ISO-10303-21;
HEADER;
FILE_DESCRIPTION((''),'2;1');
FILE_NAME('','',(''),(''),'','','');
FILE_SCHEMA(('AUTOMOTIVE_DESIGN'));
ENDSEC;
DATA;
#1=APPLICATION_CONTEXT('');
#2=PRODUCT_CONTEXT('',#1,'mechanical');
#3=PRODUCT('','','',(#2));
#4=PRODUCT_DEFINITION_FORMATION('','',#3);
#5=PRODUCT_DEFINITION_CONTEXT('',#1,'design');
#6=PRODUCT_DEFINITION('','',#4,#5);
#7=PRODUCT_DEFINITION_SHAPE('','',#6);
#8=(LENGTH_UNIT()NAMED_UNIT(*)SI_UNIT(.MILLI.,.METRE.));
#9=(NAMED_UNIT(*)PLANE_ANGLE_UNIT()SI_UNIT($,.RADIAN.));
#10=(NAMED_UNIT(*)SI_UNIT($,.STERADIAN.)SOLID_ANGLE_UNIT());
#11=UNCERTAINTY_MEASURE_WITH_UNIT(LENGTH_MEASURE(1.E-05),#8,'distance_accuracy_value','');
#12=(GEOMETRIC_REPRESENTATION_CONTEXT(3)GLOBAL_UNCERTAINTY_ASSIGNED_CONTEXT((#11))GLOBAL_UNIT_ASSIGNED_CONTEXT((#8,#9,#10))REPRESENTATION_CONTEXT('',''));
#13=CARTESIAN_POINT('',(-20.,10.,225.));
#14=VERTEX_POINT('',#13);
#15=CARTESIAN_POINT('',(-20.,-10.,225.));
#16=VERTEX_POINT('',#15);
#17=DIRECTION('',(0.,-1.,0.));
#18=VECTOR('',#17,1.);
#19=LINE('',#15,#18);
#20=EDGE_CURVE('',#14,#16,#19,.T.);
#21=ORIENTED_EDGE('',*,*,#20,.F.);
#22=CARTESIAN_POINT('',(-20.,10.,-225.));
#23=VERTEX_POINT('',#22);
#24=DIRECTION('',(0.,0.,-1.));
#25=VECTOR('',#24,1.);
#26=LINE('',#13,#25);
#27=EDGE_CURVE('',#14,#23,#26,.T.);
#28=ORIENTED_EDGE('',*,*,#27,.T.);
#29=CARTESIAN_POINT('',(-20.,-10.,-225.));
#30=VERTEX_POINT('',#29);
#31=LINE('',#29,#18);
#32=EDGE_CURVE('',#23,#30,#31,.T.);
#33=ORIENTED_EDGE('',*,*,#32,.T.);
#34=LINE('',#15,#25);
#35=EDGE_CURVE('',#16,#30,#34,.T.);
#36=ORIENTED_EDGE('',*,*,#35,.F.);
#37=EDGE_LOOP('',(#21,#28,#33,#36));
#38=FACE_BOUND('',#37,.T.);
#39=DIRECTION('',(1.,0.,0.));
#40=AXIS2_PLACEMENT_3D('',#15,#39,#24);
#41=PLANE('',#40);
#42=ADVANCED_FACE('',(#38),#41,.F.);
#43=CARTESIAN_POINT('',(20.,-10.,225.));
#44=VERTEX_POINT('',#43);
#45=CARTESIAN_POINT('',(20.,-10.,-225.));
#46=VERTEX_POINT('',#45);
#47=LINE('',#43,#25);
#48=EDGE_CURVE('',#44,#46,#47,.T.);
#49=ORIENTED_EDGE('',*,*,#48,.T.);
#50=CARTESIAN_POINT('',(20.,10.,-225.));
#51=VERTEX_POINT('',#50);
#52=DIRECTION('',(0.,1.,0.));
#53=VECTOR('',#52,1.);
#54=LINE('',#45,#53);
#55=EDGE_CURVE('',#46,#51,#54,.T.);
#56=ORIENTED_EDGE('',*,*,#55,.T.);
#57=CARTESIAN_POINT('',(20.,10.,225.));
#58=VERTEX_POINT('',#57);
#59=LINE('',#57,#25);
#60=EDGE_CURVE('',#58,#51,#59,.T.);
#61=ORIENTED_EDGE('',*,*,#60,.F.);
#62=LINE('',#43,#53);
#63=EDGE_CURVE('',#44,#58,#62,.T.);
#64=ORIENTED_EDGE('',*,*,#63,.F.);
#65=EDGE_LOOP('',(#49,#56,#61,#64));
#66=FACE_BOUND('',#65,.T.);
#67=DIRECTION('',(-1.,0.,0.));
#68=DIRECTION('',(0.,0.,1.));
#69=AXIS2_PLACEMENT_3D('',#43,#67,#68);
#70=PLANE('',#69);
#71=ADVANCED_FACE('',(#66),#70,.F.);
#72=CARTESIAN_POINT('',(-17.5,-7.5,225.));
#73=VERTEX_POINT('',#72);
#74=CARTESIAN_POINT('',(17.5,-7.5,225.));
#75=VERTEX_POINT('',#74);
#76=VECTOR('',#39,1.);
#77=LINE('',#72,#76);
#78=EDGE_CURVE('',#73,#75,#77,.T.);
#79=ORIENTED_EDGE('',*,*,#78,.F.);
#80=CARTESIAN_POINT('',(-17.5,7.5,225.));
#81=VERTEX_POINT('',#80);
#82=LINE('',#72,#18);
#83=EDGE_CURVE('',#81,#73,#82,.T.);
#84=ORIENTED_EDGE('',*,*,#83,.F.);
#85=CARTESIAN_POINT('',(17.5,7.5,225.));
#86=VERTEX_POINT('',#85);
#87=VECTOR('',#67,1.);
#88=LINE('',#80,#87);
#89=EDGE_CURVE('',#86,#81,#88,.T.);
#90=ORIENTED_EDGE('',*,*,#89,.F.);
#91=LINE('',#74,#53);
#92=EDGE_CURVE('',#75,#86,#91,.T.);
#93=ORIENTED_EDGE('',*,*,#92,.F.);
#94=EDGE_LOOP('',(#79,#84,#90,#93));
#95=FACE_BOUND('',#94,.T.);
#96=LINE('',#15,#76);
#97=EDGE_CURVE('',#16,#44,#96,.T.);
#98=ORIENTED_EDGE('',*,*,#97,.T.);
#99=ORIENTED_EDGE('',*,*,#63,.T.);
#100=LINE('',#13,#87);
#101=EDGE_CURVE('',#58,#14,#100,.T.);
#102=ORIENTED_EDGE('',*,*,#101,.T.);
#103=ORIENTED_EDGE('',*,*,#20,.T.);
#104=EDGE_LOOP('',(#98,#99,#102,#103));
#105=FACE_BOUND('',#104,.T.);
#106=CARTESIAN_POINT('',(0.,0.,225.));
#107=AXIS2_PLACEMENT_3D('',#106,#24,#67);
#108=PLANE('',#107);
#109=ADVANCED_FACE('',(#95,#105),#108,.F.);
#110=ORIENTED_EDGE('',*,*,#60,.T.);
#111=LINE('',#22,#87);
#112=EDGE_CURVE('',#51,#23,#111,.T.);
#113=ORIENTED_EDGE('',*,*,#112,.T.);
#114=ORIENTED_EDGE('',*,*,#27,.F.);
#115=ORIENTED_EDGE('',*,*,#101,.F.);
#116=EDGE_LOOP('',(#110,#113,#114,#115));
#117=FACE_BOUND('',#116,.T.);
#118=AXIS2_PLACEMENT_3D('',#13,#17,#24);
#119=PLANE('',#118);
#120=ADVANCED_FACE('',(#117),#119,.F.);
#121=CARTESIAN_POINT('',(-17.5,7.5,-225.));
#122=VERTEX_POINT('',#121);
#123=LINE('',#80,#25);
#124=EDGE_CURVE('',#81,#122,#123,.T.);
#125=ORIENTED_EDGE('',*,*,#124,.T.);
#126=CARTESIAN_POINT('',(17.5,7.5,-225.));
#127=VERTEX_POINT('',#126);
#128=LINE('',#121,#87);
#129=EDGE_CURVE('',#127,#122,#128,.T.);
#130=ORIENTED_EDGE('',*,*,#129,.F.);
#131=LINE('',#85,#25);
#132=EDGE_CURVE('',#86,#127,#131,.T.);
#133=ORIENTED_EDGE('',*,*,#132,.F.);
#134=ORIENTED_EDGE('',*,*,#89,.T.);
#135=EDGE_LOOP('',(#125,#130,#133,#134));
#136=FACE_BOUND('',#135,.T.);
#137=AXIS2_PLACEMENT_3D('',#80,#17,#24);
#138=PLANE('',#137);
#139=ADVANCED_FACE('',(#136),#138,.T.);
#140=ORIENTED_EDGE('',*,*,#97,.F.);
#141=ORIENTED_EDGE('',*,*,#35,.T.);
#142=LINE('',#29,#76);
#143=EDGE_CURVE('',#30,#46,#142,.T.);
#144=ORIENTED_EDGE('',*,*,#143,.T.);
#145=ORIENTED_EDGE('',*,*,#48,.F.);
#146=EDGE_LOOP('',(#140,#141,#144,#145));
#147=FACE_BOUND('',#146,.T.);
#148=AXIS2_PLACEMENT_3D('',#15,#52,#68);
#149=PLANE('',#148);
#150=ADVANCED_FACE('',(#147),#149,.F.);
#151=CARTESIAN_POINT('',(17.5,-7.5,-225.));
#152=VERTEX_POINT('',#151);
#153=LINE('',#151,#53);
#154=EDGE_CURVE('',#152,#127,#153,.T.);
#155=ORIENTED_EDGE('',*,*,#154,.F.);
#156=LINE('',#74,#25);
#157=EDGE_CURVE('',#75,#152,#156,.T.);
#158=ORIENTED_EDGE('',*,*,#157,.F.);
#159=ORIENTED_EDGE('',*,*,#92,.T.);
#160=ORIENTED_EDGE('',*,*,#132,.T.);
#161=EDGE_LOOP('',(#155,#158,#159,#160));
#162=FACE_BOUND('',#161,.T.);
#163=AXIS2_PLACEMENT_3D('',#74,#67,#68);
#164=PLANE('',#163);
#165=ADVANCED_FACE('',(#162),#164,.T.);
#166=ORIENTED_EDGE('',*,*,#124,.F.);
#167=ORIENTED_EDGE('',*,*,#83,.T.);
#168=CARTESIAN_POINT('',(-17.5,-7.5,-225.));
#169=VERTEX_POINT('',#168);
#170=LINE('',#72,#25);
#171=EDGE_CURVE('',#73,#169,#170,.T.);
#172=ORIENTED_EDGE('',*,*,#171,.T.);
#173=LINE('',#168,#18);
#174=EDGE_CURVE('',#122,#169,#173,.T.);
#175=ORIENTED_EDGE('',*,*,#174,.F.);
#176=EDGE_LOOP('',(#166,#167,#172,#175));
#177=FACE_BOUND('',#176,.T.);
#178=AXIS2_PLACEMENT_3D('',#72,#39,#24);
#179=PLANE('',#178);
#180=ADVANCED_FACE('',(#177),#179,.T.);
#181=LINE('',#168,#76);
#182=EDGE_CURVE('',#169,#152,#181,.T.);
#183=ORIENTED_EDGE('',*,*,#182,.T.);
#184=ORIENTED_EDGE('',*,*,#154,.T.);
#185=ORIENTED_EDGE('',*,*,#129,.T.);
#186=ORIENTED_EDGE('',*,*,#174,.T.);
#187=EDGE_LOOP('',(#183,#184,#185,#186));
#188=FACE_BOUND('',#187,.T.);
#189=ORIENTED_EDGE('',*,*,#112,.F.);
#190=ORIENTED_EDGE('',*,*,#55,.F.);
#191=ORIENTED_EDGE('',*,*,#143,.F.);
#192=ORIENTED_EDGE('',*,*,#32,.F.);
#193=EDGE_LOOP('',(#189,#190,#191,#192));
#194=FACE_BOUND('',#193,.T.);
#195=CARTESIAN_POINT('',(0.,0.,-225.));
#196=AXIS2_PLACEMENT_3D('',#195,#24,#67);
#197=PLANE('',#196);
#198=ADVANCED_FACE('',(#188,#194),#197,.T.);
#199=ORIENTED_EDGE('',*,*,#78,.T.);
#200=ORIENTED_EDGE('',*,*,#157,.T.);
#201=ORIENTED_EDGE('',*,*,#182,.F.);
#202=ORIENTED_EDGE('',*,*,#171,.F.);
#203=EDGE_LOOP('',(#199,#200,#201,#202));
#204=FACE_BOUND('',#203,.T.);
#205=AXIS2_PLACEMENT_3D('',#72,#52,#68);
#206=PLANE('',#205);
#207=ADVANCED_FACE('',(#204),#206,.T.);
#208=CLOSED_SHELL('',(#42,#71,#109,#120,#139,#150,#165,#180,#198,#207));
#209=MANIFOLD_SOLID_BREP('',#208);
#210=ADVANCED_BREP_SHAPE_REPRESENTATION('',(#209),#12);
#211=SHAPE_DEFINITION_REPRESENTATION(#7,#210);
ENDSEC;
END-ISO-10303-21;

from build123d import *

# Parameters (mm, degrees)
SKETCH1_W           = 40
SKETCH1_H           = 20
SKETCH1_W_2         = 35
SKETCH1_H_2         = 15
BOSS_EXTRUDE1_DEPTH = 225


with BuildPart() as part:
    # Sketch1 → Boss-Extrude1 (new, symmetric)
    with BuildSketch(Plane.XY):
        Rectangle(SKETCH1_W, SKETCH1_H)
        Rectangle(SKETCH1_W_2, SKETCH1_H_2, mode=Mode.SUBTRACT)
    extrude(amount=BOSS_EXTRUDE1_DEPTH, both=True)


solid = part.part
